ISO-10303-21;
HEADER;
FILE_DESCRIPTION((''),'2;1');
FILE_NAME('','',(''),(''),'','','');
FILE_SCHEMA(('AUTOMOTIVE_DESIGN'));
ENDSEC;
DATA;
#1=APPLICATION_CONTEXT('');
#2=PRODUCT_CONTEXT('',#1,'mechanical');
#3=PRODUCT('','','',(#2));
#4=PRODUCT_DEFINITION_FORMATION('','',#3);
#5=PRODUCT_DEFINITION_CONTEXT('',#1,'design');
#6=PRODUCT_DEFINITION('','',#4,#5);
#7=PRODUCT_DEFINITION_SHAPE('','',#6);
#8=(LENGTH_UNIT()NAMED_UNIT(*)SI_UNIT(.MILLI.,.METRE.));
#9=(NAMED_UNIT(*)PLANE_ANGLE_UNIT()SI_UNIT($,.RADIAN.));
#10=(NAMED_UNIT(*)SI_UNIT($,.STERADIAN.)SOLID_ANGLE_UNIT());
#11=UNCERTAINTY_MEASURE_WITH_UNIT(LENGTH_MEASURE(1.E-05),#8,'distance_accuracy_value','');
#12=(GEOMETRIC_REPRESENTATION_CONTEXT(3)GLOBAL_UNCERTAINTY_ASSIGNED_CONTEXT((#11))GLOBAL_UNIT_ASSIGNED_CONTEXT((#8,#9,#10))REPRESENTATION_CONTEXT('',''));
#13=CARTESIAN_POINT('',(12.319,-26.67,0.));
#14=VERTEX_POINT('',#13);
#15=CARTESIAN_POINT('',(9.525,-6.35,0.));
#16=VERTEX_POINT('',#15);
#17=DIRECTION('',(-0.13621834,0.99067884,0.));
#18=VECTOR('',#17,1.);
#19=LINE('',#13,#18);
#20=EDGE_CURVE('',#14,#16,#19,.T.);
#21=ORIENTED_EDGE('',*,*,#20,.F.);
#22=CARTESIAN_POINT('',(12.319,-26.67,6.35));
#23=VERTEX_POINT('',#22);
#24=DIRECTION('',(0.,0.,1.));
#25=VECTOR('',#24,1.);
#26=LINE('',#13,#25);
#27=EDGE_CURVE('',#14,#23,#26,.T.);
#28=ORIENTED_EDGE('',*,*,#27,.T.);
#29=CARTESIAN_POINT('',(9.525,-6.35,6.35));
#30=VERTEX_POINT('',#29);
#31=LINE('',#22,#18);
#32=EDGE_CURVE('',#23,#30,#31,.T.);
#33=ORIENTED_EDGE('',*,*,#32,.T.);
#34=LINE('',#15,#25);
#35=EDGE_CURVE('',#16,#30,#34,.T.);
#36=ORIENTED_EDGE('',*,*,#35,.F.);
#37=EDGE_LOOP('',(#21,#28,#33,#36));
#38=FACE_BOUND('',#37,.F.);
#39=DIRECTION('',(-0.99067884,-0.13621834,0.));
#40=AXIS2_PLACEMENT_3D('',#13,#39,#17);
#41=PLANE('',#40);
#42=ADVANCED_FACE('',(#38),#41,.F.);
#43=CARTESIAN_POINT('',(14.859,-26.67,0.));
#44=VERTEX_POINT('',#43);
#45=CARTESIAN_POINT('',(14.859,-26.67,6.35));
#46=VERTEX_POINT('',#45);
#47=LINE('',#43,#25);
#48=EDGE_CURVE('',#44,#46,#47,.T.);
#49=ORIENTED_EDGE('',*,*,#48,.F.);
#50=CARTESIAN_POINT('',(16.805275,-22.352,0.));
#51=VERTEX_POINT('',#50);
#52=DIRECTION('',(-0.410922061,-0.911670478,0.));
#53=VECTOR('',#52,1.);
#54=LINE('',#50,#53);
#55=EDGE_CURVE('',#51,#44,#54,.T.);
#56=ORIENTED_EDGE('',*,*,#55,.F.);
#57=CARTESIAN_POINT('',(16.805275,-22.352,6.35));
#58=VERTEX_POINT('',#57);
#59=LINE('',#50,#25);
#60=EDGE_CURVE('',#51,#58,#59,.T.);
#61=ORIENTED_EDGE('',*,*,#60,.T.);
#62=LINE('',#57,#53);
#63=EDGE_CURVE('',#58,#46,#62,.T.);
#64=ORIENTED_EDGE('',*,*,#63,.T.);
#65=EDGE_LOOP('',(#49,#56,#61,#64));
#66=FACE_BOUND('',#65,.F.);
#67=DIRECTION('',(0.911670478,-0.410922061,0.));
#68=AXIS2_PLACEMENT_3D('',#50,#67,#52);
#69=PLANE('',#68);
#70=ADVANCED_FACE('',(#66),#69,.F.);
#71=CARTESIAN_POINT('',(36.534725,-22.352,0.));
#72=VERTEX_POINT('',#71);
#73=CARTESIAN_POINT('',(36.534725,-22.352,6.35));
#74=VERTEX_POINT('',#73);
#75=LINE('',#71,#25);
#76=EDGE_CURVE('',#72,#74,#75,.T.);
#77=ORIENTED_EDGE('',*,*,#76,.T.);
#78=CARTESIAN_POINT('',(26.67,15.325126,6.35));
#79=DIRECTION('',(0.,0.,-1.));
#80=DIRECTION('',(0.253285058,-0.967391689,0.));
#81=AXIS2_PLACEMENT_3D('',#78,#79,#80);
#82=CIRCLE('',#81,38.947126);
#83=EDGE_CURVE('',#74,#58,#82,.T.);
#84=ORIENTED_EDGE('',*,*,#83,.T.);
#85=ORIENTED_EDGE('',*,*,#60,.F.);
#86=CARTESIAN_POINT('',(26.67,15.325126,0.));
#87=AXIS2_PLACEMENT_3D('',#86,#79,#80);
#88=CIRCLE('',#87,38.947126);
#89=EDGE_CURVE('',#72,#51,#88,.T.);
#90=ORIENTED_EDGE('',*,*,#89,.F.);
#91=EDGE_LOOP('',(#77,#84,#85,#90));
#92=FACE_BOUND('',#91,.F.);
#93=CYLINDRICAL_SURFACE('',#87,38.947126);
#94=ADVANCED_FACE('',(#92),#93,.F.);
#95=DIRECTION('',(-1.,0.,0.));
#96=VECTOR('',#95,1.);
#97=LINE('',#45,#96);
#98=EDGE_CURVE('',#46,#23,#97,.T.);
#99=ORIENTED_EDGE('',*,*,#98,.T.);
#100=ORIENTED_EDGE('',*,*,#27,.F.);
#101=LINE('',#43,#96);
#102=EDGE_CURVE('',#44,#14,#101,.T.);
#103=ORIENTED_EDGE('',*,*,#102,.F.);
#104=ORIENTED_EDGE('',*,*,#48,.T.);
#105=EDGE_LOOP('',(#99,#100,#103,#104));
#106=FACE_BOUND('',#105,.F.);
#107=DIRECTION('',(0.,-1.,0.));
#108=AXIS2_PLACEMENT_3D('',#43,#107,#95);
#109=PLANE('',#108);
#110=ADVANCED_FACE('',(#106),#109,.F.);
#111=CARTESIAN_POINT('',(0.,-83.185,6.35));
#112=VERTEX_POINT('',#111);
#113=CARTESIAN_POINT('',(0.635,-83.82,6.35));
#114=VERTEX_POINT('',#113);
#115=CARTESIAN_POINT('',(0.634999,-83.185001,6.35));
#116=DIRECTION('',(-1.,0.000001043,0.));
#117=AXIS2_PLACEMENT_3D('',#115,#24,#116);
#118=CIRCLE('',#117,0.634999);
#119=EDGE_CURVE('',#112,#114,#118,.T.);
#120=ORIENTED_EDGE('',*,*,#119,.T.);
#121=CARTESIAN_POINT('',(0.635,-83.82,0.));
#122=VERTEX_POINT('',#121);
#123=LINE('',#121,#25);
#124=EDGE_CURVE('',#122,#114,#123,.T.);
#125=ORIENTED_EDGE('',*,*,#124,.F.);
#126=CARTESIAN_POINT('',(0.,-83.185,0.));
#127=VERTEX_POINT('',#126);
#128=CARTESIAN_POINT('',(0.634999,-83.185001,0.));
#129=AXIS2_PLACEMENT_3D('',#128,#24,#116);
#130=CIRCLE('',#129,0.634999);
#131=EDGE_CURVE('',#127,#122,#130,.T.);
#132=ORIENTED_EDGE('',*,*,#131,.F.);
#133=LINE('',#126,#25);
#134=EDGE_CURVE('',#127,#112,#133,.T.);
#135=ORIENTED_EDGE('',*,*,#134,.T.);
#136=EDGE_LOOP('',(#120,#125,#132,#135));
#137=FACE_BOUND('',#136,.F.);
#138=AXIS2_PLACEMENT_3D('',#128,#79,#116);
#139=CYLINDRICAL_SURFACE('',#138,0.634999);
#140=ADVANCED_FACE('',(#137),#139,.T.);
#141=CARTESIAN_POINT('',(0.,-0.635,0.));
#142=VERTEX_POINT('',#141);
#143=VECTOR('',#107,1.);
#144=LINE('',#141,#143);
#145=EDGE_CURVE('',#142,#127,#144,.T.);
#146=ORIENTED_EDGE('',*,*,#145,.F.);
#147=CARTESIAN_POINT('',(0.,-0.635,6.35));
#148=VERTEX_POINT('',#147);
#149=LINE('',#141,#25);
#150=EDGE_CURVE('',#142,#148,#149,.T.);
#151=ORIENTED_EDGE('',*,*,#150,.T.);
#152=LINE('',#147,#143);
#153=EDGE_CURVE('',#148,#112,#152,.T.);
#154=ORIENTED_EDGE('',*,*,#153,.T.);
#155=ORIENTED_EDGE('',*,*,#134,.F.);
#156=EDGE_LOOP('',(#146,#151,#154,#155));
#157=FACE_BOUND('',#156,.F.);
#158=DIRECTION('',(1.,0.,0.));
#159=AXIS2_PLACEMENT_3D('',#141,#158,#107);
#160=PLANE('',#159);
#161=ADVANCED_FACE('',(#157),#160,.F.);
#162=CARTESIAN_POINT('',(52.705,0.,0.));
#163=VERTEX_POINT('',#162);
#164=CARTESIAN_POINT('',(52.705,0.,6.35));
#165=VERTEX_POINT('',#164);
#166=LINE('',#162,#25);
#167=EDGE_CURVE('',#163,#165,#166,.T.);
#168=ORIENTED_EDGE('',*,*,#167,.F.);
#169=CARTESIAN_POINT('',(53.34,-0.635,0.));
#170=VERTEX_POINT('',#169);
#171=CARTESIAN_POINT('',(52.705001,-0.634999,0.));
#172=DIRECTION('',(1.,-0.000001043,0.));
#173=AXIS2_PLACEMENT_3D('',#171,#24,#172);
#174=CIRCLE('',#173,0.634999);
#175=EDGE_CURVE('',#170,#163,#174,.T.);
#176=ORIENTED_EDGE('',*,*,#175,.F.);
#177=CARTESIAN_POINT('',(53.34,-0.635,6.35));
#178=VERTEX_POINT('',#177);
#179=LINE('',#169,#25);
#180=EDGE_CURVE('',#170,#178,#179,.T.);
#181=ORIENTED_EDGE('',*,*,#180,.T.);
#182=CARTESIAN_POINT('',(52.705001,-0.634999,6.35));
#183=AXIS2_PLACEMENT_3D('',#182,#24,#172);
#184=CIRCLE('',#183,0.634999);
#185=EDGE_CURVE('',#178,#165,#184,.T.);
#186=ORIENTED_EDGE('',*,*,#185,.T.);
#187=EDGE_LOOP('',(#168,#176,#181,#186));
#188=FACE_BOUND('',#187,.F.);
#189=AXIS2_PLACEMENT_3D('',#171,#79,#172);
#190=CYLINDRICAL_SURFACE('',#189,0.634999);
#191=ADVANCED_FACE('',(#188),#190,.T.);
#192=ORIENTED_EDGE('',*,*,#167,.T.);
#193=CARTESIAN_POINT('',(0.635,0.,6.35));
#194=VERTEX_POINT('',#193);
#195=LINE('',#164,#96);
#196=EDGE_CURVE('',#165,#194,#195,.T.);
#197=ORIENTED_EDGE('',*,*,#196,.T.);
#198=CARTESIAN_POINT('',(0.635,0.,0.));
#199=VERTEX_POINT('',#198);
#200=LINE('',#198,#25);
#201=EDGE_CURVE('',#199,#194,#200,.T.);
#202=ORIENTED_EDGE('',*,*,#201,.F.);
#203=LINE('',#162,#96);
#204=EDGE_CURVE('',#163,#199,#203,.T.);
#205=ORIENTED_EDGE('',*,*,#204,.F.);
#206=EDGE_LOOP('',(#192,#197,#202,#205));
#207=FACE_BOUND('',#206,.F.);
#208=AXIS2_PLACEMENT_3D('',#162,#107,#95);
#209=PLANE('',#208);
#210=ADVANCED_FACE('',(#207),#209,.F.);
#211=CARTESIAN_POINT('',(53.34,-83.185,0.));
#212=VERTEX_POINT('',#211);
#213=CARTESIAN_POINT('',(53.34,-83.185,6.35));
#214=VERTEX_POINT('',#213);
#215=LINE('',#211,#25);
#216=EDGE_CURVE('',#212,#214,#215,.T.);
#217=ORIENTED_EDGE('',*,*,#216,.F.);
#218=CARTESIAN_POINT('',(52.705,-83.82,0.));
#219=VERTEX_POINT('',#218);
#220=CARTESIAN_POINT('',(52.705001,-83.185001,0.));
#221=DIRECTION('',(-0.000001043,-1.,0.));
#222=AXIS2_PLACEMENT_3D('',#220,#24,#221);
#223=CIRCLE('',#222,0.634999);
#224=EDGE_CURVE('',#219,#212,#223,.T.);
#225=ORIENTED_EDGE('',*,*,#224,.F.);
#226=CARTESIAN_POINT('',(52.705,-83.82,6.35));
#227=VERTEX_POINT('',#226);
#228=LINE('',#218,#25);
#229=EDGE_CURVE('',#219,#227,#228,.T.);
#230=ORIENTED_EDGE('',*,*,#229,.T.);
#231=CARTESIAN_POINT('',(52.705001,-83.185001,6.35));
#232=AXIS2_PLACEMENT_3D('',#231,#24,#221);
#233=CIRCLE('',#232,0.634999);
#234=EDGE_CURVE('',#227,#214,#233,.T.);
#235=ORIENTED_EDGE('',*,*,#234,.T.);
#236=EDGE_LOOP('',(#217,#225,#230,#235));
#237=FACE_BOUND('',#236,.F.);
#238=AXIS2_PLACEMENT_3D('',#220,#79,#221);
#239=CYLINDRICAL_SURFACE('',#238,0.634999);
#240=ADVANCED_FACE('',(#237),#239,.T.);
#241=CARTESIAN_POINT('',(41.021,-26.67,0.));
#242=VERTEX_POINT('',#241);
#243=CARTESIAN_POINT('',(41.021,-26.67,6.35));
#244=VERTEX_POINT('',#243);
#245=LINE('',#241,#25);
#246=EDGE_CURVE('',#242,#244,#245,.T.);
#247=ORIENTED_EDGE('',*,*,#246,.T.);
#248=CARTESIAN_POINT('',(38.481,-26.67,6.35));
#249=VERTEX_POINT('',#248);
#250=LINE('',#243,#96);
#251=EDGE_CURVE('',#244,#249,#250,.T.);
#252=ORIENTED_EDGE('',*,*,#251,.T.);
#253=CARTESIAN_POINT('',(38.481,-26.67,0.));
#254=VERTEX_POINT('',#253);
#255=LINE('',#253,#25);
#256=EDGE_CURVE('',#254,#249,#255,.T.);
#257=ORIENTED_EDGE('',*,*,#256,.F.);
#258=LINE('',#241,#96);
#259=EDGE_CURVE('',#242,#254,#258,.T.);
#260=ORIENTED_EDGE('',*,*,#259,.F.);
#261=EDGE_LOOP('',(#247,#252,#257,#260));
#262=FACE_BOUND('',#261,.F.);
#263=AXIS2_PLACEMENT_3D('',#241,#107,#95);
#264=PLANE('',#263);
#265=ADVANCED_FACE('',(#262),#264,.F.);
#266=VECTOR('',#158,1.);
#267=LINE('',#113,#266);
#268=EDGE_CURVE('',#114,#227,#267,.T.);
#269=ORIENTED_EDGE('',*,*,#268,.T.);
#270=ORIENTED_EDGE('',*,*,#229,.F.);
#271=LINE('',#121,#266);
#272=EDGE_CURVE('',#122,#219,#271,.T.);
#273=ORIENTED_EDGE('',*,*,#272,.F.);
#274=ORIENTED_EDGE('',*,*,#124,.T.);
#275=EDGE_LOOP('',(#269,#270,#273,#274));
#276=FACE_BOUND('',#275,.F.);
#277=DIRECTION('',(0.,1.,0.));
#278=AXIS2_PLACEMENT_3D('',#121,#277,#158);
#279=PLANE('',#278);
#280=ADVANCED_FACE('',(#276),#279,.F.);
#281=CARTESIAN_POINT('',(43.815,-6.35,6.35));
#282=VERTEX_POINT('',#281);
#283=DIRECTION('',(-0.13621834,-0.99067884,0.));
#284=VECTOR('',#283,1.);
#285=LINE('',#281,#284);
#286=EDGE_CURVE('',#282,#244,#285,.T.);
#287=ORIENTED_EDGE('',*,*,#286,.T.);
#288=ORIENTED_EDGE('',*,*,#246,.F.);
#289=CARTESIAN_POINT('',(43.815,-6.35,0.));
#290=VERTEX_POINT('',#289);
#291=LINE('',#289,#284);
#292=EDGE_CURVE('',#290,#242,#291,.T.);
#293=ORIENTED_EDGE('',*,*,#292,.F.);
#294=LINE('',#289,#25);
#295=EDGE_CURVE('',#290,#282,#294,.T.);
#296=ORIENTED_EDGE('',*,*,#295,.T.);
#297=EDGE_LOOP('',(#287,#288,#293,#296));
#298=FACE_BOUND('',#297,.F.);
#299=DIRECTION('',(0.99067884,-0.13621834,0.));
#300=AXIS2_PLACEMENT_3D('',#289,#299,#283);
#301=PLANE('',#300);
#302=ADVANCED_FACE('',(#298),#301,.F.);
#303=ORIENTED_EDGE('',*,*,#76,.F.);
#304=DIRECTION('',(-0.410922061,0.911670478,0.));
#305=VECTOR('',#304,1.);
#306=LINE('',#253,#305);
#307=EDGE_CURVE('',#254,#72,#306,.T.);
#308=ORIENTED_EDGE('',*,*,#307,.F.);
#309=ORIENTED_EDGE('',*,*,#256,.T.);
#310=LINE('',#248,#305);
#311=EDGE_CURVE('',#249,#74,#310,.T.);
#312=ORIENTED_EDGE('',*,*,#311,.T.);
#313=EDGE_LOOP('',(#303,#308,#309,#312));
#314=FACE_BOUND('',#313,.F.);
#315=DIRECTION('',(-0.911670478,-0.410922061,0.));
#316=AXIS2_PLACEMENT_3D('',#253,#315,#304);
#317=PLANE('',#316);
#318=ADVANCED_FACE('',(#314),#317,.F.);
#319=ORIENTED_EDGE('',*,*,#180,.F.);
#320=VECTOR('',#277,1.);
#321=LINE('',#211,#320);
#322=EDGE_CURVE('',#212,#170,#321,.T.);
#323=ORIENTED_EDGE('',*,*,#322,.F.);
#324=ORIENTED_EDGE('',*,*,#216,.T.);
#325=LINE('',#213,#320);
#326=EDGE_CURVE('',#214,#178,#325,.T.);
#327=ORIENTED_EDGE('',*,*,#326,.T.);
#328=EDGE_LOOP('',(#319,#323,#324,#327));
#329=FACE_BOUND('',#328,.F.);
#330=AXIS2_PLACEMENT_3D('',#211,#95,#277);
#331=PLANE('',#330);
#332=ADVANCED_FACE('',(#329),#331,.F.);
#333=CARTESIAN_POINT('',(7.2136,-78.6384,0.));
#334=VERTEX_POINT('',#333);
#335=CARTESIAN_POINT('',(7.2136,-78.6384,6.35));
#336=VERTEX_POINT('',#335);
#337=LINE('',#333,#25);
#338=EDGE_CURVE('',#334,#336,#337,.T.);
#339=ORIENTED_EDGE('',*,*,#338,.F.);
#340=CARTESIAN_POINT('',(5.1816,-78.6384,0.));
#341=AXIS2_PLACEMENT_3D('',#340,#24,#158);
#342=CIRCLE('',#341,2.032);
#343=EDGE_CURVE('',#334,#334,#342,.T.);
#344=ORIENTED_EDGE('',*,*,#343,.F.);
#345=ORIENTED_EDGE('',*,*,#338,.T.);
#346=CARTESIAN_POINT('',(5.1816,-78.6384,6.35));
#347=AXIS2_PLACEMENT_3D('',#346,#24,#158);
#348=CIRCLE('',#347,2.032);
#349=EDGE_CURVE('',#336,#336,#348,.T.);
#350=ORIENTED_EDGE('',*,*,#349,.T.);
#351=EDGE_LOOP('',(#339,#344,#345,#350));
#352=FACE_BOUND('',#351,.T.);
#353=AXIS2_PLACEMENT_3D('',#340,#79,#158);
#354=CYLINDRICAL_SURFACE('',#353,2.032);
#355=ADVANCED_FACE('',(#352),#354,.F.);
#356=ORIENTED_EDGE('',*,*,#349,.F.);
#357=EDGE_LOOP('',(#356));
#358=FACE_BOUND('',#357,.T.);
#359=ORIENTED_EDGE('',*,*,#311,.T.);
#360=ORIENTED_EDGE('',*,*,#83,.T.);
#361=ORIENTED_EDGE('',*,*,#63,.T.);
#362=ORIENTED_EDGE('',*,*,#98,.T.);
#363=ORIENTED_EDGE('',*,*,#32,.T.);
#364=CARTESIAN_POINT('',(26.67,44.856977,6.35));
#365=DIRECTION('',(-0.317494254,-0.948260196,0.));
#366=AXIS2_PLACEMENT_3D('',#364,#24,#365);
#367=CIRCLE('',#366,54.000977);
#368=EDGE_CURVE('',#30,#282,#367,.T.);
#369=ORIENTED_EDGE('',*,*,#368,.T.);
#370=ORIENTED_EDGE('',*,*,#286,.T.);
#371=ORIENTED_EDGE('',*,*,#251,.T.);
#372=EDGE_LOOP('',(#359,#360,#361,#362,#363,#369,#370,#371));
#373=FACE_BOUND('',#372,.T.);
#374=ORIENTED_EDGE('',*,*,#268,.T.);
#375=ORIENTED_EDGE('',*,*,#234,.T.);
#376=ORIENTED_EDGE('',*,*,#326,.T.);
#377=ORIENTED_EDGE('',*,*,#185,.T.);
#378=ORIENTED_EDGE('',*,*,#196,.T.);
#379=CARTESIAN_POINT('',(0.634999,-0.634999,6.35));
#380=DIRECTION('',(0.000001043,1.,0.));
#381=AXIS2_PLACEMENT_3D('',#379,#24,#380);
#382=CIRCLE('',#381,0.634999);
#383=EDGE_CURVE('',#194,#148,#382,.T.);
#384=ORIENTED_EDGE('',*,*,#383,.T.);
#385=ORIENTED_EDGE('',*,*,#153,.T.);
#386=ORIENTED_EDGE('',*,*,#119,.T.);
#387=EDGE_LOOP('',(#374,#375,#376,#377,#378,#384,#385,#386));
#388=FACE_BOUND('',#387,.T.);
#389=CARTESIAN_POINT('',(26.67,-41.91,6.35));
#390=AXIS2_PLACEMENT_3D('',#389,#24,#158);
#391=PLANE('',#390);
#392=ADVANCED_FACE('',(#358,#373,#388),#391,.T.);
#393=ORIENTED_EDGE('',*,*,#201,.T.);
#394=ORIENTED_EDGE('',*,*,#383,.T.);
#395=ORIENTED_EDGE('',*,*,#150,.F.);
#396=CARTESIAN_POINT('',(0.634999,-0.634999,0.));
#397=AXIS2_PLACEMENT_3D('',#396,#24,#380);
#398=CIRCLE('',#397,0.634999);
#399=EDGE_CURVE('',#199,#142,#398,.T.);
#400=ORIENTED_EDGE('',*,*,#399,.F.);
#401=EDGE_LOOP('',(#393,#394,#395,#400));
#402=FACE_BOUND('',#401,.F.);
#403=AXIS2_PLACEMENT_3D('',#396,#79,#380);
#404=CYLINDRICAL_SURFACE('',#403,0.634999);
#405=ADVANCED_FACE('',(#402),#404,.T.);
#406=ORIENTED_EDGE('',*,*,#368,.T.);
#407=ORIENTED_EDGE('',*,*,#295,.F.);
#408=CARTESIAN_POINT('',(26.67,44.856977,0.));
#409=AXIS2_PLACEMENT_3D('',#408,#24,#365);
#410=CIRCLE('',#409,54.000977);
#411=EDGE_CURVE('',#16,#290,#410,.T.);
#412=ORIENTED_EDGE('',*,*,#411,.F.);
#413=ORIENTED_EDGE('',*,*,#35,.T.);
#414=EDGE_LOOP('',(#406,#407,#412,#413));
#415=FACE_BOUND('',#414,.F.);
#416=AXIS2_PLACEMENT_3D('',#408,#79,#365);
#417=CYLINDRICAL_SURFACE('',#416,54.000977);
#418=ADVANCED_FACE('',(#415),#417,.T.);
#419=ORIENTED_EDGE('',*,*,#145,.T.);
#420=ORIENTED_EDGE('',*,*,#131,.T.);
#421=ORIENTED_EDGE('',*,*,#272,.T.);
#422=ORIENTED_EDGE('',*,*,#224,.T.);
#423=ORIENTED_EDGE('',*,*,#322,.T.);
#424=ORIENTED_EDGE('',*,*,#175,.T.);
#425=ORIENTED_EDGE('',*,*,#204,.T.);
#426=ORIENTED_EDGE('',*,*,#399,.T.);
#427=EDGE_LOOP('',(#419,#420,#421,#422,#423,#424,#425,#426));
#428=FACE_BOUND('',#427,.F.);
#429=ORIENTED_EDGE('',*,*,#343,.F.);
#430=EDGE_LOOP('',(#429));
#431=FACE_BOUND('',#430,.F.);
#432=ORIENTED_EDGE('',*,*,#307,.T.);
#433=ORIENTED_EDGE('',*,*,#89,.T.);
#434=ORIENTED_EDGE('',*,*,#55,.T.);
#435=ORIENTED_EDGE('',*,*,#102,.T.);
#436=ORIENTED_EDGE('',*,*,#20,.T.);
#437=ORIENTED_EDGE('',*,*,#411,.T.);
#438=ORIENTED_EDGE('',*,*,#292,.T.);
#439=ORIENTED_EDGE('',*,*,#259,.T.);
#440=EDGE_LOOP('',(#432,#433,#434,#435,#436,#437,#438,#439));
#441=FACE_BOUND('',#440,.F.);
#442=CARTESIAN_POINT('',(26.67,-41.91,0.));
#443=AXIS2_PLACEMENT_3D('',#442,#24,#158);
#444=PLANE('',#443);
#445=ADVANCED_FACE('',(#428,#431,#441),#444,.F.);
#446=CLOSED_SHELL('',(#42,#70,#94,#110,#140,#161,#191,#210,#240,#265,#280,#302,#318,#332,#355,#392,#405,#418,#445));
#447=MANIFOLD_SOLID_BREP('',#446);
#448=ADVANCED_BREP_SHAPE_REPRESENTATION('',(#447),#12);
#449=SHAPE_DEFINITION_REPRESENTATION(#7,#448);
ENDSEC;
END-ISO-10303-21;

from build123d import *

# Parameters (mm, degrees)
F0_R     = 2.032
F1_DEPTH = 6.35


with BuildPart() as f1:
    # F0 (on Top) → F1 (new body)
    with BuildSketch(Plane.XY):
        with BuildLine():
            Line((52.705, 0), (0.635, 0))
            ThreePointArc((0.635, 0), (0.185987, -0.185987), (0, -0.635))
            Line((0, -0.635), (0, -83.185))
            ThreePointArc((0, -83.185), (0.185987, -83.634013), (0.635, -83.82))
            Line((0.635, -83.82), (52.705, -83.82))
            ThreePointArc((52.705, -83.82), (53.154013, -83.634013), (53.34, -83.185))
            Line((53.34, -83.185), (53.34, -0.635))
            ThreePointArc((53.34, -0.635), (53.154013, -0.185987), (52.705, 0))
        make_face()
        with Locations((5.1816, -78.6384)):
            Circle(F0_R, mode=Mode.SUBTRACT)
        with BuildLine():
            Line((12.319, -26.67), (9.525, -6.35))
            ThreePointArc((9.525, -6.35), (26.67, -9.144), (43.815, -6.35))
            Line((43.815, -6.35), (41.021, -26.67))
            Line((41.021, -26.67), (38.481, -26.67))
            Line((38.481, -26.67), (36.534725, -22.352))
            ThreePointArc((36.534725, -22.352), (26.67, -23.622), (16.805275, -22.352))
            Line((16.805275, -22.352), (14.859, -26.67))
            Line((14.859, -26.67), (12.319, -26.67))
        make_face(mode=Mode.SUBTRACT)
    extrude(amount=F1_DEPTH)


solid = f1.part
